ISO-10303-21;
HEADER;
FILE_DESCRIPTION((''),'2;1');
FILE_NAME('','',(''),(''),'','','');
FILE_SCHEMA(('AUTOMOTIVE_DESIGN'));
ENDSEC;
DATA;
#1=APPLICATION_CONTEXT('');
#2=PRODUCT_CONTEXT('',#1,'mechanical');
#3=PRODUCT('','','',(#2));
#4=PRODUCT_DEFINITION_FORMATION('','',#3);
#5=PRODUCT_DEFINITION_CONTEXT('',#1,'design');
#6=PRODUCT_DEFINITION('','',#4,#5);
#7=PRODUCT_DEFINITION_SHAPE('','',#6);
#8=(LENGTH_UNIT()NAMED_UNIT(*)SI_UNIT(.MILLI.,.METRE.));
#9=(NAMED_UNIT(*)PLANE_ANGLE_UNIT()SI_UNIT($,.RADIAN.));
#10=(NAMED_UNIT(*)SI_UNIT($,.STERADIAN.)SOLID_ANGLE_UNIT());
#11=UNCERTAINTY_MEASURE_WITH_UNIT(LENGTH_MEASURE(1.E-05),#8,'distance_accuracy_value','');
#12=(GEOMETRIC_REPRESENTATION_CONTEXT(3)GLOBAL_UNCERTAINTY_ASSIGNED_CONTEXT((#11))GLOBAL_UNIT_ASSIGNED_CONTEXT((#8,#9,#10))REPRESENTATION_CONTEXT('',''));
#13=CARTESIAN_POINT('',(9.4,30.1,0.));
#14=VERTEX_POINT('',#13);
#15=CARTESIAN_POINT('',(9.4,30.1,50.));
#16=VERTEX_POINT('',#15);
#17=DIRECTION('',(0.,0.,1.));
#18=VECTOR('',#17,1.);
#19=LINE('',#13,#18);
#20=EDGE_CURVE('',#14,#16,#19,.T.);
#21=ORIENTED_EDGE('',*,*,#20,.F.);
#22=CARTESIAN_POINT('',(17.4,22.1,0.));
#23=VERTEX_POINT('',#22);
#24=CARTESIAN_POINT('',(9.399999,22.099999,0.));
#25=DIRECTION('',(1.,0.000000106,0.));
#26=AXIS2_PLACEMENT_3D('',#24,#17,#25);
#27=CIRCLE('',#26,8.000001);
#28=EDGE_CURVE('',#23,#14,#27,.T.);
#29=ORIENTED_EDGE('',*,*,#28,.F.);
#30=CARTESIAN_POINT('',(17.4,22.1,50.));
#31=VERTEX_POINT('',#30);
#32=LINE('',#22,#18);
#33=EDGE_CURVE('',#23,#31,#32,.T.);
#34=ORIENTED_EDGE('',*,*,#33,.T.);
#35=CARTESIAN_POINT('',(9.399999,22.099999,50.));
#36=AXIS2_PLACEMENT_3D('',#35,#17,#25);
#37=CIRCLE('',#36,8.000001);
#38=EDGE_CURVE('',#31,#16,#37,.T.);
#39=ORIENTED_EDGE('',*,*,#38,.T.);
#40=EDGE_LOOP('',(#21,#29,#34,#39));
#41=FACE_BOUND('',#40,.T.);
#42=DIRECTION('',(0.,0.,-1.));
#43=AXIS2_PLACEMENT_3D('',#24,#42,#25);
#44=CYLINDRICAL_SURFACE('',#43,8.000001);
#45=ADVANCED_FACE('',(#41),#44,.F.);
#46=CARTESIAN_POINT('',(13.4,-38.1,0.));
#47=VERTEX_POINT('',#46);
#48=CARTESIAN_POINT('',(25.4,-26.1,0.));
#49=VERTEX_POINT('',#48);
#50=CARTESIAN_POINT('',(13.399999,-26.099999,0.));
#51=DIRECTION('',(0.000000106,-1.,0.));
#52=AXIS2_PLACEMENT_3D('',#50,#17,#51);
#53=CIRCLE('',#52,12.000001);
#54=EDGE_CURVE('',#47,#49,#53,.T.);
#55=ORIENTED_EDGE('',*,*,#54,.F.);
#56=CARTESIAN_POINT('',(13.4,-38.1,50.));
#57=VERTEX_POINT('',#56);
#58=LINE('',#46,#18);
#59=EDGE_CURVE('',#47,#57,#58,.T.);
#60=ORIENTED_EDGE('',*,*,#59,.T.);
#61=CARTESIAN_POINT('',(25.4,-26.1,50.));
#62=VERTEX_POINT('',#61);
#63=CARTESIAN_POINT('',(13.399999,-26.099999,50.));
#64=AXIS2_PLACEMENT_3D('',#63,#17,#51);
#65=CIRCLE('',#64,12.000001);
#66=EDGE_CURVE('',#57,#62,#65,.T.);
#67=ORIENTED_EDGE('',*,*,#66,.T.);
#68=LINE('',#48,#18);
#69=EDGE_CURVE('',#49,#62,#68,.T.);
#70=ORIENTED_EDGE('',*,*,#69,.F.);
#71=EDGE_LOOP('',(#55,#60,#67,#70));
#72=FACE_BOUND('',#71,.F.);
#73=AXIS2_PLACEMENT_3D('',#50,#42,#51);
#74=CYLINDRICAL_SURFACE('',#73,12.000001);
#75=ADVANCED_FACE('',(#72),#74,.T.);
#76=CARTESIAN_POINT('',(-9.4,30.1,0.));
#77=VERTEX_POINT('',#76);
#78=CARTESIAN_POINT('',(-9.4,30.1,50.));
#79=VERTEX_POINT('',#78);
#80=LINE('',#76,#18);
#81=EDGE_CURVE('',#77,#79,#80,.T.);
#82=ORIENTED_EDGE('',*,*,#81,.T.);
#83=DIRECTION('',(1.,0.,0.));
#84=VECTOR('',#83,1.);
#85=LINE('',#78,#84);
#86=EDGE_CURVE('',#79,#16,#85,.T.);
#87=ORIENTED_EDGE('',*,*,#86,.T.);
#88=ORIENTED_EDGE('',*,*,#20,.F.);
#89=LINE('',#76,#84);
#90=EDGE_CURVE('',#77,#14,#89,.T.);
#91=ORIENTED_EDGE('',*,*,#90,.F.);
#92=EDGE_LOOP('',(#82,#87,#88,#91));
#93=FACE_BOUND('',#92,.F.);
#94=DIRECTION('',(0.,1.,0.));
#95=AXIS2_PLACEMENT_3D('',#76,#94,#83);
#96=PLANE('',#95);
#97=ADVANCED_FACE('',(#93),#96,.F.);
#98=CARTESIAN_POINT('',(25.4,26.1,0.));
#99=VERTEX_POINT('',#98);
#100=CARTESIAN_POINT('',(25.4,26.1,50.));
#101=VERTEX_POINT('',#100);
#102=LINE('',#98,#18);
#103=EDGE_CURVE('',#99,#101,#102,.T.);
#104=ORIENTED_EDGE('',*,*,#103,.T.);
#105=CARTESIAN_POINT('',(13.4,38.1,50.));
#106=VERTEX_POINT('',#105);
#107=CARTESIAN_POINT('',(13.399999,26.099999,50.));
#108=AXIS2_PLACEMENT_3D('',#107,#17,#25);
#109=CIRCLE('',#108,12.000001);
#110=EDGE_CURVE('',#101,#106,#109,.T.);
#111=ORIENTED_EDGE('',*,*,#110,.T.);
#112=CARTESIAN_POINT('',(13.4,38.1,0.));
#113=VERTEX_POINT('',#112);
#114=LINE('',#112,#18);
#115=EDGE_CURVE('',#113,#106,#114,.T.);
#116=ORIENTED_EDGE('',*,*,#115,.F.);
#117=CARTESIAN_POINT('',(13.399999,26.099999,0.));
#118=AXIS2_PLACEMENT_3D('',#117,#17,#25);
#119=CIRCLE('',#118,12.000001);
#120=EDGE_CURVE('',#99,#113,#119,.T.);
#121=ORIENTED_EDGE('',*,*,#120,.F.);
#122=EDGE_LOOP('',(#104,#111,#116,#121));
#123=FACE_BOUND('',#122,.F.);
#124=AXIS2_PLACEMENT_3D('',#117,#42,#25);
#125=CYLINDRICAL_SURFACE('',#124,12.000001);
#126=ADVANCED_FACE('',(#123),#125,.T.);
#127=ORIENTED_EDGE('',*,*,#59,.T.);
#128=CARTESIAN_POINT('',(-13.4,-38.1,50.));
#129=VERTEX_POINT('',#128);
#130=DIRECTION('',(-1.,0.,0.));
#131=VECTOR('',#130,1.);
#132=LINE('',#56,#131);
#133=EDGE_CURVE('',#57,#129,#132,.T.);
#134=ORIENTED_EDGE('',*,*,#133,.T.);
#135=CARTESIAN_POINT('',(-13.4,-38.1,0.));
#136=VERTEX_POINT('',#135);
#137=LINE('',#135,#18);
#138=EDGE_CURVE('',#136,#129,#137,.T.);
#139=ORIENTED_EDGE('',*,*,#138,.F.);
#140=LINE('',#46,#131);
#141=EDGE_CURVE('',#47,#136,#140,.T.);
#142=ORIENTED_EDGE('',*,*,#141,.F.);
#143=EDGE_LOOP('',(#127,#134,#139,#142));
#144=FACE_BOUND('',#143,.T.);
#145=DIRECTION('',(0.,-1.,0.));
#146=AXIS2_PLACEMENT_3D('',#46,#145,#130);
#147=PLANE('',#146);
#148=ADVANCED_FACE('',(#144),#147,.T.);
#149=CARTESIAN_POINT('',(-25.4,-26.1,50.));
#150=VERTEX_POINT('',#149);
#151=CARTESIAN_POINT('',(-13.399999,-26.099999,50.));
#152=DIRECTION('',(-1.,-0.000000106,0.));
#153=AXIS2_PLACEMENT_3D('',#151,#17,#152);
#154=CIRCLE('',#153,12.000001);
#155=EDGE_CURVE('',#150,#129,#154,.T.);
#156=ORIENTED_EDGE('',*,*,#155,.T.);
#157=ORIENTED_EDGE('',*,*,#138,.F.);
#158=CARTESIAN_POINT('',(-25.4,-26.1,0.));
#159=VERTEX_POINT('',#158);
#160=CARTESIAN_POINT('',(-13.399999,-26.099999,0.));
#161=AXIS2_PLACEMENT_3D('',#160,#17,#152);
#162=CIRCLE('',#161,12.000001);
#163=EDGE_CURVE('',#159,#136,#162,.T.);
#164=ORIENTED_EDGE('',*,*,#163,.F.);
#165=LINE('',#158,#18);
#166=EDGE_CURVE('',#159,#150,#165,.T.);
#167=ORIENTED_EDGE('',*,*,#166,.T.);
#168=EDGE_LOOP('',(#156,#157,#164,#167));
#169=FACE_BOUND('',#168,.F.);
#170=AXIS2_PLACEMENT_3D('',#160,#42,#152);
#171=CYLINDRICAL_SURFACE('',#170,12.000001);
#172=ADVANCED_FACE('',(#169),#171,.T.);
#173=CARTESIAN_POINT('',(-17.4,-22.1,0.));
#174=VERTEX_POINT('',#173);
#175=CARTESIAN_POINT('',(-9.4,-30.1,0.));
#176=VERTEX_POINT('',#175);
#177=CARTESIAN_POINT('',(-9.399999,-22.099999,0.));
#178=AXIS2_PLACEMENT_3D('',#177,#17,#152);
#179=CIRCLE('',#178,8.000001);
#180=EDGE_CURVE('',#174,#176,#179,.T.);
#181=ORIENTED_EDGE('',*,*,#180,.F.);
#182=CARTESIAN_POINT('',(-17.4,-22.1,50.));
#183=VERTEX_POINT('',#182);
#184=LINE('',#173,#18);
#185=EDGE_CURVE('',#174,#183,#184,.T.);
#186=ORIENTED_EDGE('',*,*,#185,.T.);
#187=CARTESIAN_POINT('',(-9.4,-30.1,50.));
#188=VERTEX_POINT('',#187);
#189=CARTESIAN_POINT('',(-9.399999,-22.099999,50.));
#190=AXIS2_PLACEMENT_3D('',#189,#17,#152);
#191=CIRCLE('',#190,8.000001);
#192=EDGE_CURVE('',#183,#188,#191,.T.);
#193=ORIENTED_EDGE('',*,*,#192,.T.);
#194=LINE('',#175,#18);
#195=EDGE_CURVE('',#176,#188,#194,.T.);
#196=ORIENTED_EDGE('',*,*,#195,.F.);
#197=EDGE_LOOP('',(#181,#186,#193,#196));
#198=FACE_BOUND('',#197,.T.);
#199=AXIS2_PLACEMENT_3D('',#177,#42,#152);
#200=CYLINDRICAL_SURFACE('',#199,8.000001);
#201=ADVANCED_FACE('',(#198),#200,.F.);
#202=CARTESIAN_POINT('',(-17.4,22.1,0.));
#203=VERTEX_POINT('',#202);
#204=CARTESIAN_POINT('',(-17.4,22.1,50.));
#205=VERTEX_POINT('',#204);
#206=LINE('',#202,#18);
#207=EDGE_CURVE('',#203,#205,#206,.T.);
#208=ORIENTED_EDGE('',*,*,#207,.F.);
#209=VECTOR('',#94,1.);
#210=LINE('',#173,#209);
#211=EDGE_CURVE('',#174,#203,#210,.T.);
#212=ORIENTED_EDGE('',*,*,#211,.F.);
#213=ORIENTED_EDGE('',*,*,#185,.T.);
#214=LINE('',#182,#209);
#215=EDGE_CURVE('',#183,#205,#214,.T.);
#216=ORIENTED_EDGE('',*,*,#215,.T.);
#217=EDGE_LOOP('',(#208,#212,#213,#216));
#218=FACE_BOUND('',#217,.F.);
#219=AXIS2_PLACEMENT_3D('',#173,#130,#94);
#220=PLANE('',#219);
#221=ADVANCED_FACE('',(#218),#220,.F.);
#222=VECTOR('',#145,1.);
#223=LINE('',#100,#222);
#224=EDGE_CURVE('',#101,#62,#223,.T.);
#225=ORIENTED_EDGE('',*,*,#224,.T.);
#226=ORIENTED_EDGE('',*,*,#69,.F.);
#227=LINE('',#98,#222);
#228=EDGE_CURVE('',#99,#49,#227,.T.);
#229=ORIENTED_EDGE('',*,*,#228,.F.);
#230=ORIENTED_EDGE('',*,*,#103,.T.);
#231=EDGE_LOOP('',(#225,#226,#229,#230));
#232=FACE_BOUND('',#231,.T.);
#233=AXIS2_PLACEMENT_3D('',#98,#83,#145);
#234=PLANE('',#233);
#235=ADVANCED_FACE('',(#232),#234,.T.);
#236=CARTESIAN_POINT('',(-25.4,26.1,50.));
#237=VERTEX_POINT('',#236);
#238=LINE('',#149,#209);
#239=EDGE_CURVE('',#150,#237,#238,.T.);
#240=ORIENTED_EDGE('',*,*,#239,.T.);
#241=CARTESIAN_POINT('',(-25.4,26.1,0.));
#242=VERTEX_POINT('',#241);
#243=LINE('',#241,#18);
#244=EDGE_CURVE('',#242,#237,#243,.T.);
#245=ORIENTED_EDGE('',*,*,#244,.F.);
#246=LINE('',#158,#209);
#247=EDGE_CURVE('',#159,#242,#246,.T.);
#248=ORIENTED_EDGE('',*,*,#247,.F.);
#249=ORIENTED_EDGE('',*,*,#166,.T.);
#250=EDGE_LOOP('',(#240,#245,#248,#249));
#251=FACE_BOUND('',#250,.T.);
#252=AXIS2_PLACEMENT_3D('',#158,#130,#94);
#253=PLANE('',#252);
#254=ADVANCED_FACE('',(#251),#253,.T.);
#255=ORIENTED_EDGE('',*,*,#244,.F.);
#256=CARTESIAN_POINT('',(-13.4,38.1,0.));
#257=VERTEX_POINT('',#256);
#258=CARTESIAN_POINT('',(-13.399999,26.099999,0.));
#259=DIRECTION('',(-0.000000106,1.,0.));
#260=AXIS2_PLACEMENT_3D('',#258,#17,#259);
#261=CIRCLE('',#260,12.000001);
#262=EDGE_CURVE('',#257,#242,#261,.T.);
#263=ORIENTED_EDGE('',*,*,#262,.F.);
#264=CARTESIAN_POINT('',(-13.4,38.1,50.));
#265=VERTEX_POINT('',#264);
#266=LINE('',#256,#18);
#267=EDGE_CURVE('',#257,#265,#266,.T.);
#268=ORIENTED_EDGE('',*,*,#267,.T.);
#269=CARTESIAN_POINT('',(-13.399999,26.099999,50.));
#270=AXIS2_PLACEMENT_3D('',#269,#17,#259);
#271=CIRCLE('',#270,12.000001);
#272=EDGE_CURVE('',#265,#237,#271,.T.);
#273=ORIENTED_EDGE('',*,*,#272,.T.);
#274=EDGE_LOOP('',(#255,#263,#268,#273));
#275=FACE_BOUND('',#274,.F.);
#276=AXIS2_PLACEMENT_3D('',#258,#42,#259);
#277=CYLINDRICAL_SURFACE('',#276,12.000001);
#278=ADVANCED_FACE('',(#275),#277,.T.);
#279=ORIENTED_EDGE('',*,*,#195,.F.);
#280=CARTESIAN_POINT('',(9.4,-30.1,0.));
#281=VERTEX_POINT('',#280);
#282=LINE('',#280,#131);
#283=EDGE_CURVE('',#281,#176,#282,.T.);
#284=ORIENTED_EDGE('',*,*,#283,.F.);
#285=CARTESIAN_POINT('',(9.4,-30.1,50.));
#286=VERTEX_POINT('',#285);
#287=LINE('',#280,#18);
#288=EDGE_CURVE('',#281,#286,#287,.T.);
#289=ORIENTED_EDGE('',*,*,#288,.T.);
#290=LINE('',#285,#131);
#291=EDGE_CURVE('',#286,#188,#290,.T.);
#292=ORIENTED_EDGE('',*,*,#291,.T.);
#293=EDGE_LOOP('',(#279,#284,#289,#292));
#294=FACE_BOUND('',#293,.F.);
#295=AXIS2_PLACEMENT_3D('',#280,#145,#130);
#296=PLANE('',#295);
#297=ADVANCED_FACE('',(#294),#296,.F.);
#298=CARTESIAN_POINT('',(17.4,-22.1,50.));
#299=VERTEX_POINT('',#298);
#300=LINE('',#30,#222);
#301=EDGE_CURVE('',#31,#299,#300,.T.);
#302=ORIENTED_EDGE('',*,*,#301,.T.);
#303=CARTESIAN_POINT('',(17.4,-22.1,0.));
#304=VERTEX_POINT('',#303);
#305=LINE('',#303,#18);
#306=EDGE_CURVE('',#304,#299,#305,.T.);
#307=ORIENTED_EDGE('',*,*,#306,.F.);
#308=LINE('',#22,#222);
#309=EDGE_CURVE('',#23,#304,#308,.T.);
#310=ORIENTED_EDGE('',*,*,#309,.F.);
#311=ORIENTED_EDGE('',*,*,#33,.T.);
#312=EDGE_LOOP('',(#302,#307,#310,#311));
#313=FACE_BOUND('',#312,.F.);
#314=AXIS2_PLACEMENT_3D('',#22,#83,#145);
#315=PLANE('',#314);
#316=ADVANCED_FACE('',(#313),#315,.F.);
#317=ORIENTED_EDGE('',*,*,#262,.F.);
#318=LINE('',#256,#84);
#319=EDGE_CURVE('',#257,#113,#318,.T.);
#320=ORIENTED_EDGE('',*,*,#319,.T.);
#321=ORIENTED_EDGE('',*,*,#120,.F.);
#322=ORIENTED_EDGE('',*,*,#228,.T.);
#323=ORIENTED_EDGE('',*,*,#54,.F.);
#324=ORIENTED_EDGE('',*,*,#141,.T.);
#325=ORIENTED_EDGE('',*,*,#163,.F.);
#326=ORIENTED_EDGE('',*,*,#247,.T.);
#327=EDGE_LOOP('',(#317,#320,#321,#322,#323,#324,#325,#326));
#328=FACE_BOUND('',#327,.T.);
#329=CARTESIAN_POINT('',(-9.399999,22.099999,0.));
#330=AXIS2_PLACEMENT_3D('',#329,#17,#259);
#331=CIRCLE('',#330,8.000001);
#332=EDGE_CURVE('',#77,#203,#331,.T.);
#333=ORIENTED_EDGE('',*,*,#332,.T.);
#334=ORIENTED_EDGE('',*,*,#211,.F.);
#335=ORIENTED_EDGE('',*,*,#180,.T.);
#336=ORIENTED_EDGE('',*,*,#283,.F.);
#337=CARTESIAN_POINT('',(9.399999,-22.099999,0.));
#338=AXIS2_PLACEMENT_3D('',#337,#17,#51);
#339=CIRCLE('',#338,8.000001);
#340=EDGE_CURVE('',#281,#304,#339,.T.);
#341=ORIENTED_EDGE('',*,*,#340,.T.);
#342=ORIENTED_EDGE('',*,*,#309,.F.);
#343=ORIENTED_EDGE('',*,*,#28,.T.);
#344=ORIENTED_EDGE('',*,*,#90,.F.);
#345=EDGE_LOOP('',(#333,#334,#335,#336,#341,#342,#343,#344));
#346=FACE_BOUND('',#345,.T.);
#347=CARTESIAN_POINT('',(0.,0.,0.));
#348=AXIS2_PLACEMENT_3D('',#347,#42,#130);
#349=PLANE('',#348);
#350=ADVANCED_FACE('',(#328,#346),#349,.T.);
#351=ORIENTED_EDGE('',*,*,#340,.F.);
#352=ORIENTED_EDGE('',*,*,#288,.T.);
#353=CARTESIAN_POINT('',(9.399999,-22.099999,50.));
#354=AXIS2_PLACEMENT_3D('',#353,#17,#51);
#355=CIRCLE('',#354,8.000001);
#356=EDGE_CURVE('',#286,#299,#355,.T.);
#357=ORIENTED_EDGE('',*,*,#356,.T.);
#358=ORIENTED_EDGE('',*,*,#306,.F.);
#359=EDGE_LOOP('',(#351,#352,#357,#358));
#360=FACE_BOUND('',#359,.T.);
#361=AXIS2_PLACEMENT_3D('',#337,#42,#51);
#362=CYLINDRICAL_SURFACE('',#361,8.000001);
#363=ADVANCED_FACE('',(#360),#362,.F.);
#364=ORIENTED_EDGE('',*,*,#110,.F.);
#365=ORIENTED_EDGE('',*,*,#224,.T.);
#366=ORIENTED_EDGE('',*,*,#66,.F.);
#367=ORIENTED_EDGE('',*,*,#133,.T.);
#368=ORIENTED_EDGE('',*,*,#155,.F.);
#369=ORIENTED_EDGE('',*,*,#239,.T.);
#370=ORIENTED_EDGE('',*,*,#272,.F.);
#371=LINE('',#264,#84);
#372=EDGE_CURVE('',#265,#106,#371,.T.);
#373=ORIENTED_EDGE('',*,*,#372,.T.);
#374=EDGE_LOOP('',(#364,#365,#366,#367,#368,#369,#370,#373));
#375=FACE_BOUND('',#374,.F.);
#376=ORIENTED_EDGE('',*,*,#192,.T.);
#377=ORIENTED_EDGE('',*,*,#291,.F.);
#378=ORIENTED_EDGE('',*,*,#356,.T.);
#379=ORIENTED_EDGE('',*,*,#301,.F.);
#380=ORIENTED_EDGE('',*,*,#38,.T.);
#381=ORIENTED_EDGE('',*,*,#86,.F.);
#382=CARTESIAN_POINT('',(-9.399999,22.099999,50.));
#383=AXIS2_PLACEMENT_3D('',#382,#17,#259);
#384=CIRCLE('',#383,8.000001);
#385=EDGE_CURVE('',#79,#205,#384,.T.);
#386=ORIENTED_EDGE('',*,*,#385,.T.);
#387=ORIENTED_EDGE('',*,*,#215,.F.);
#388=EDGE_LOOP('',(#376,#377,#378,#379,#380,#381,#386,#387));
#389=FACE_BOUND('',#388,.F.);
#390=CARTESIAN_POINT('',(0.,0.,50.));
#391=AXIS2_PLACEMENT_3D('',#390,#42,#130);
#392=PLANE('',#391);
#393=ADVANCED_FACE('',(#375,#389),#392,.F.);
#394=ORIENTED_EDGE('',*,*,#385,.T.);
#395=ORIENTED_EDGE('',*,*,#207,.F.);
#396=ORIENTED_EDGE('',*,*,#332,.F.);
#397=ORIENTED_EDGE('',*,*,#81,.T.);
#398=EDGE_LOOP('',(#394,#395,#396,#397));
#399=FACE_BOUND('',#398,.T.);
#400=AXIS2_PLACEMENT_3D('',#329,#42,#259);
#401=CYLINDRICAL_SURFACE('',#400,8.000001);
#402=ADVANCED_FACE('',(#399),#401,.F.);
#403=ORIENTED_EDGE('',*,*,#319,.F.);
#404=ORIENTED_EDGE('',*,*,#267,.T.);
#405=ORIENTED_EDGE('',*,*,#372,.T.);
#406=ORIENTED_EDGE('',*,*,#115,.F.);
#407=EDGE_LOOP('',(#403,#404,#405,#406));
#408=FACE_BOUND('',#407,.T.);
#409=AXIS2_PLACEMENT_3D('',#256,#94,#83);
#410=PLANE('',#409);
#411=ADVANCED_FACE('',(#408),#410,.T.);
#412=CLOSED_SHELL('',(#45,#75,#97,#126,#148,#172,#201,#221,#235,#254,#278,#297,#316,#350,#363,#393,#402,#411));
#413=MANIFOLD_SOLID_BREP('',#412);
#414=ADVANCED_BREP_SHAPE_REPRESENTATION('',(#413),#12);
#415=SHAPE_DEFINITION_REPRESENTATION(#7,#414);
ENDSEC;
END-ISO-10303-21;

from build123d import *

# Parameters (mm, degrees)
EXTRUDE_DEPTH = 50


with BuildPart() as part:
    # Sketch → Extrude (new body)
    with BuildSketch(Plane.XY):
        with BuildLine():
            Line((-13.4, 38.1), (13.4, 38.1))
            ThreePointArc((25.4, 26.1), (21.885281, 34.585281), (13.4, 38.1))
            Line((25.4, 26.1), (25.4, -26.1))
            ThreePointArc((13.4, -38.1), (21.885281, -34.585281), (25.4, -26.1))
            Line((13.4, -38.1), (-13.4, -38.1))
            ThreePointArc((-25.4, -26.1), (-21.885281, -34.585281), (-13.4, -38.1))
            Line((-25.4, -26.1), (-25.4, 26.1))
            ThreePointArc((-13.4, 38.1), (-21.885281, 34.585281), (-25.4, 26.1))
        make_face()
        with BuildLine():
            Line((-9.4, 30.1), (9.4, 30.1))
            ThreePointArc((17.4, 22.1), (15.056854, 27.756854), (9.4, 30.1))
            Line((17.4, 22.1), (17.4, -22.1))
            ThreePointArc((9.4, -30.1), (15.056854, -27.756854), (17.4, -22.1))
            Line((9.4, -30.1), (-9.4, -30.1))
            ThreePointArc((-17.4, -22.1), (-15.056854, -27.756854), (-9.4, -30.1))
            Line((-17.4, -22.1), (-17.4, 22.1))
            ThreePointArc((-9.4, 30.1), (-15.056854, 27.756854), (-17.4, 22.1))
        make_face(mode=Mode.SUBTRACT)
    extrude(amount=EXTRUDE_DEPTH)


solid = part.part
